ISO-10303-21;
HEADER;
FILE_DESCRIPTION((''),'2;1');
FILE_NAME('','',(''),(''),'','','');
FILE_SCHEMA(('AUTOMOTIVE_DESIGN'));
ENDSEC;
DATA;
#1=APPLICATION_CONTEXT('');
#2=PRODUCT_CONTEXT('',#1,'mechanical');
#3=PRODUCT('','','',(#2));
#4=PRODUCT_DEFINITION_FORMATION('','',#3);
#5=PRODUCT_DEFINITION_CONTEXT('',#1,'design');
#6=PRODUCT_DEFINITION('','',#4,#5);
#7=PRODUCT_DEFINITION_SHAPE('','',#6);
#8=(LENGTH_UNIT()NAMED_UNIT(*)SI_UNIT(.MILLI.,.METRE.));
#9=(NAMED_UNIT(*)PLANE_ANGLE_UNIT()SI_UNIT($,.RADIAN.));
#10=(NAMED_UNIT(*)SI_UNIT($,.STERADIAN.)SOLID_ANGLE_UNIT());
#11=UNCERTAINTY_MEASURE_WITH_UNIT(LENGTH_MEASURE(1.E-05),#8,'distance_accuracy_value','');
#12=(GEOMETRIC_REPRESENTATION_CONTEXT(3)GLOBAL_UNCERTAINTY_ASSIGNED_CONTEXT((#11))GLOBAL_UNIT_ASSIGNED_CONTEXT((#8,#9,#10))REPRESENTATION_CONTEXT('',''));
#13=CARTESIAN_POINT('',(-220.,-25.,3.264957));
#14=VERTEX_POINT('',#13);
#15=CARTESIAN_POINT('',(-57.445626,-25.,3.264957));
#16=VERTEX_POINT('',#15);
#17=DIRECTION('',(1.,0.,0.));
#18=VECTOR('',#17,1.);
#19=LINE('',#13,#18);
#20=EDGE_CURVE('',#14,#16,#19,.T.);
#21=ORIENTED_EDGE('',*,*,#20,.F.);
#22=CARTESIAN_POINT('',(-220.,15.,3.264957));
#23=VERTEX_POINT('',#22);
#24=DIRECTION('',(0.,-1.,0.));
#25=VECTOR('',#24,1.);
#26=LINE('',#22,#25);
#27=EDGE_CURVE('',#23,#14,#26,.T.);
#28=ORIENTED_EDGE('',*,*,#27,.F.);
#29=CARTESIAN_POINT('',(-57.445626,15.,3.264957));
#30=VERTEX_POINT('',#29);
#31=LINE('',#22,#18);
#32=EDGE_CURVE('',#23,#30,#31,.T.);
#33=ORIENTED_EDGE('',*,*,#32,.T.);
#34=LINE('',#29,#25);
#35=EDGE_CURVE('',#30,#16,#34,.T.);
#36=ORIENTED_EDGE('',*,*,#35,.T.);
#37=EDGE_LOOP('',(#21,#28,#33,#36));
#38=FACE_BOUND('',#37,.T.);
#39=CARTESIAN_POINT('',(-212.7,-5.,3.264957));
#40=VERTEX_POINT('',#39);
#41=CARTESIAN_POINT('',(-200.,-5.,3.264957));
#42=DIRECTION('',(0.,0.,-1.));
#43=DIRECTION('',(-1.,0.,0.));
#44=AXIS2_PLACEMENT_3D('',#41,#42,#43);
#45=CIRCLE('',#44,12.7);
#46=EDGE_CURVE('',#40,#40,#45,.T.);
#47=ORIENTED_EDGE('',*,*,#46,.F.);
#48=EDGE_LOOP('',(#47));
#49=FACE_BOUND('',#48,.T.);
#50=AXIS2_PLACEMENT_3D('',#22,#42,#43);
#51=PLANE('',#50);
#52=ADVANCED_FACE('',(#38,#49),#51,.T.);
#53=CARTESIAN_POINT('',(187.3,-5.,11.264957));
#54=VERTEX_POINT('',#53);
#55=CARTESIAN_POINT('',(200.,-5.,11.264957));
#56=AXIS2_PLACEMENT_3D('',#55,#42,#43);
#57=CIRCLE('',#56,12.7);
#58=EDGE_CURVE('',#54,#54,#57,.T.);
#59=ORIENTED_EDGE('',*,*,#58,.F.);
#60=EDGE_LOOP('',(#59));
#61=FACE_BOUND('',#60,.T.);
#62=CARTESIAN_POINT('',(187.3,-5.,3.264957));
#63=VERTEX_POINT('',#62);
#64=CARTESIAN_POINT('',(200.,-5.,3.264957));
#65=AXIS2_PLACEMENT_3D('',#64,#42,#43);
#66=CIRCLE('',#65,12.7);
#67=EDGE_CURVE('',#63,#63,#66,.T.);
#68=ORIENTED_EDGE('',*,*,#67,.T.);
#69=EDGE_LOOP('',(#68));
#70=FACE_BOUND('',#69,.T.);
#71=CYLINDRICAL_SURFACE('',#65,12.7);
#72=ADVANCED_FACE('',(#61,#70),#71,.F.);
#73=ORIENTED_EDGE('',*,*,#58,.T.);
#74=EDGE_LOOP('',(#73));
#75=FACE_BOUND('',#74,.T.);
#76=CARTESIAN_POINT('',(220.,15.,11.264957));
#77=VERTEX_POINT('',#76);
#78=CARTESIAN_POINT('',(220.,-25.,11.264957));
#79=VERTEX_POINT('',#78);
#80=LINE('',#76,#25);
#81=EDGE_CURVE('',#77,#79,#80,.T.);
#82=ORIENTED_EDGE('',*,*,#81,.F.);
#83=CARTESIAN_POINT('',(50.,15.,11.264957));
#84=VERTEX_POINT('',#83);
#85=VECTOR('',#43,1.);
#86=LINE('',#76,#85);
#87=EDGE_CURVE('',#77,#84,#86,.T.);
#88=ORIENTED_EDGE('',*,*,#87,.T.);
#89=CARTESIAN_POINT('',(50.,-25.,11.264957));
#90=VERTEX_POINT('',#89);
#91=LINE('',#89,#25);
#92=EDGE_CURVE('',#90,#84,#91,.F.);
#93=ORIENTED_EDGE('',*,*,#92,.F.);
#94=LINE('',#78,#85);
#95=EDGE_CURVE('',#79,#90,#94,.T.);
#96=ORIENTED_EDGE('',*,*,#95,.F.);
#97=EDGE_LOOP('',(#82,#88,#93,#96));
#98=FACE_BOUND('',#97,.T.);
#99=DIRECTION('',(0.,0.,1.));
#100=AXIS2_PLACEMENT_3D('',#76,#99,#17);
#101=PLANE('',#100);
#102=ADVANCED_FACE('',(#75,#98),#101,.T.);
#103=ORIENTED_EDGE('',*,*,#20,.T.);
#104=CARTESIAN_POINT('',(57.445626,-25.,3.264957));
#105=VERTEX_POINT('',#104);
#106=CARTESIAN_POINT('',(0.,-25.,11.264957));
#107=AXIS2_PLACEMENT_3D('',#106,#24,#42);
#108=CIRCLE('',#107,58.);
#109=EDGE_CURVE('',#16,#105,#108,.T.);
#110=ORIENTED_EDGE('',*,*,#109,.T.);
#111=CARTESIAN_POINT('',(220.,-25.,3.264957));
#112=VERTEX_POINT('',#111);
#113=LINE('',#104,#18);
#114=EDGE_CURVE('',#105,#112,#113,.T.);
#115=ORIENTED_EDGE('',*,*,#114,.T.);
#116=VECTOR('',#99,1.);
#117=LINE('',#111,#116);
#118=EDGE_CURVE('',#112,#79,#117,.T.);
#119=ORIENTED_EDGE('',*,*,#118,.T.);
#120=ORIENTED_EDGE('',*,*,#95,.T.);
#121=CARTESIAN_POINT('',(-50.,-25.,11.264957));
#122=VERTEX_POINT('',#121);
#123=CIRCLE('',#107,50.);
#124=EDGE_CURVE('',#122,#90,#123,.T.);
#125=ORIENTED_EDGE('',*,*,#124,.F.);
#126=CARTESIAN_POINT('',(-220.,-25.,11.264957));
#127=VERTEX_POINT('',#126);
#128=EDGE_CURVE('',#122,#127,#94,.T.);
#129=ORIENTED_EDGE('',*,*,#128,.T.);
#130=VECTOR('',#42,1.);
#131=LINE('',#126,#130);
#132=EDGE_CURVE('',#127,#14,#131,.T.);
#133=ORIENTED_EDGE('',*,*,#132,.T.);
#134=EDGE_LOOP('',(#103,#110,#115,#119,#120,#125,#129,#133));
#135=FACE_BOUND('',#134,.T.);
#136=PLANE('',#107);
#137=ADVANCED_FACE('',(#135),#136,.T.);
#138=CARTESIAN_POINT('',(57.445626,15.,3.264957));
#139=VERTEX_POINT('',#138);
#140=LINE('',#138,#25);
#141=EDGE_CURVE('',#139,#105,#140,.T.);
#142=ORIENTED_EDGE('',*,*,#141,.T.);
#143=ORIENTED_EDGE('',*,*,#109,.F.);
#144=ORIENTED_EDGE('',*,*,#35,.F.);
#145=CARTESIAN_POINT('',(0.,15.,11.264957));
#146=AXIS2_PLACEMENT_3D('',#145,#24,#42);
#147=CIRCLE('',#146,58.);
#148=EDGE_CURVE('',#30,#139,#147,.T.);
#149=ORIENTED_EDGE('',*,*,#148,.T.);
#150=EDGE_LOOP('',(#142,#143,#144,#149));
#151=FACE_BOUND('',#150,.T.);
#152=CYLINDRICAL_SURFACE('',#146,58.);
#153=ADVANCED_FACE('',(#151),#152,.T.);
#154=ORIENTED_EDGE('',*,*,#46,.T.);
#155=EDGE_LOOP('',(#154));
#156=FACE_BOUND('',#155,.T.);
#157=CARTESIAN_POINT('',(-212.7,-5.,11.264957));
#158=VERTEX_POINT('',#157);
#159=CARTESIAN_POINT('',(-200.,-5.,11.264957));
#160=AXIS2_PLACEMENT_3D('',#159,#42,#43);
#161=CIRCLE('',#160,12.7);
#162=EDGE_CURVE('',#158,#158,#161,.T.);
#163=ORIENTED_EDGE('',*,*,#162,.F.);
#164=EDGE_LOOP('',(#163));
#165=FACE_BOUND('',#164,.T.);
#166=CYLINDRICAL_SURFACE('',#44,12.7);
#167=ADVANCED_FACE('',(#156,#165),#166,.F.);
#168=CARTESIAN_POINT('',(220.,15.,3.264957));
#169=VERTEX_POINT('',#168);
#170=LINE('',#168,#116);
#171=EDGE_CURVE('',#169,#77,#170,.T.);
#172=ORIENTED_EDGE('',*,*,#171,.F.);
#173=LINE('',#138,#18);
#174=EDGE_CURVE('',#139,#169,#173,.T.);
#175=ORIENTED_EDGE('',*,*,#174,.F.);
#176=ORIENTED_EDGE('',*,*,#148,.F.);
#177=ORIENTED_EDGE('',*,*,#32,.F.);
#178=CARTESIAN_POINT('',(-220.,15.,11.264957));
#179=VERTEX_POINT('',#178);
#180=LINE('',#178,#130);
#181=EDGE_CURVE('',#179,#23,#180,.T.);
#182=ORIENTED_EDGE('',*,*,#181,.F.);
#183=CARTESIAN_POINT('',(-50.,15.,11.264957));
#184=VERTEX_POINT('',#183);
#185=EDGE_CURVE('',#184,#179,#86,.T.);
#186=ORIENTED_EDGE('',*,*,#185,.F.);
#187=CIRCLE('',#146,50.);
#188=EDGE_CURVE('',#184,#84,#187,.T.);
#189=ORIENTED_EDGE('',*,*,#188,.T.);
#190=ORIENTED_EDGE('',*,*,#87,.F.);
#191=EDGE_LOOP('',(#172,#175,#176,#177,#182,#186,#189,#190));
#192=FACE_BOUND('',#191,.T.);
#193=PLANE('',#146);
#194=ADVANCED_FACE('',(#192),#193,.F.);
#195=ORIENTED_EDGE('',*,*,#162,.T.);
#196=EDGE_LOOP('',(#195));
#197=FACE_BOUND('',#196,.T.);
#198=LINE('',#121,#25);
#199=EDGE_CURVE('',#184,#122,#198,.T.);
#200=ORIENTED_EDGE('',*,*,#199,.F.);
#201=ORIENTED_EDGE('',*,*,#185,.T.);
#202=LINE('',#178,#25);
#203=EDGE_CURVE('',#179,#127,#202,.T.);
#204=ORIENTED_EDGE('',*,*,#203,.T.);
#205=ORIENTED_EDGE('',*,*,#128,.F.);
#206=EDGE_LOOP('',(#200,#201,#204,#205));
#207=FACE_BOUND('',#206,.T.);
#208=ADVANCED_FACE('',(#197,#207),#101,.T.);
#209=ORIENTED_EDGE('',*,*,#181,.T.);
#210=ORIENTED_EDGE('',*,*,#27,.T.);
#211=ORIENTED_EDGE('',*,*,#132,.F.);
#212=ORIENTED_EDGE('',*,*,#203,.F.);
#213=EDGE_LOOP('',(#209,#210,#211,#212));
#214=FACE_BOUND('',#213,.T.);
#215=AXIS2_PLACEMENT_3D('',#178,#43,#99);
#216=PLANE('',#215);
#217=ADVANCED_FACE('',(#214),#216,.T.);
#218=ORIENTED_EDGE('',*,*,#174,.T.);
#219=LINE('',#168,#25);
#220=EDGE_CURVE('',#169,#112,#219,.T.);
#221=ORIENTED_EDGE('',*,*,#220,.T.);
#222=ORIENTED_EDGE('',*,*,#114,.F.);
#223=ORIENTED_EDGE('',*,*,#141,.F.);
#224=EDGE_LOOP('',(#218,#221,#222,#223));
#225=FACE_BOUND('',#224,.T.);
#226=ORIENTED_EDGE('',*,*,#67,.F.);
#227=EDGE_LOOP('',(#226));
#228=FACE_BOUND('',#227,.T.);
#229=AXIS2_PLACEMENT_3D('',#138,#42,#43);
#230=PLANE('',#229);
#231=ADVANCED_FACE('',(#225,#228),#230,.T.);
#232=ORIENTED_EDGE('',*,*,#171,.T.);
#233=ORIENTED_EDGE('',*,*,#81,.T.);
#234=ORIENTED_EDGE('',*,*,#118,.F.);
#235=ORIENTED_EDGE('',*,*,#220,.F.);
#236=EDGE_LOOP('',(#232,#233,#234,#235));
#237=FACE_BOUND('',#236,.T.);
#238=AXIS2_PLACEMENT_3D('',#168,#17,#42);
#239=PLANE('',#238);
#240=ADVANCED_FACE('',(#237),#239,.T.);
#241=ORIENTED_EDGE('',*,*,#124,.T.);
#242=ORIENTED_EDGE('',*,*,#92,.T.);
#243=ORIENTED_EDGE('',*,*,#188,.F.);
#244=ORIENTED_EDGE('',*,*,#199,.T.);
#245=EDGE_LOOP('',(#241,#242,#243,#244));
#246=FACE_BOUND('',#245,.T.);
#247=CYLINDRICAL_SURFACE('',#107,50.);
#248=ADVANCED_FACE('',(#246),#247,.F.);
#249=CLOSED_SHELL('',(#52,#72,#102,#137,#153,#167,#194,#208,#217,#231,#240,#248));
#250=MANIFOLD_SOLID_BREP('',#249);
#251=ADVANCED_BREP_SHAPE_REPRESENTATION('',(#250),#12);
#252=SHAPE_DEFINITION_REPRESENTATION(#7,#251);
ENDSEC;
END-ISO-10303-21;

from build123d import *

# Parameters (mm, degrees)
BOSS_EXTRUDE1_DEPTH            = 10
HOLE1_D                        = 6.35
HOLE1_DEPTH                    = 2
F_25_0_25_DIAMETER_HOLE1_D     = 25
F_25_0_25_DIAMETER_HOLE1_DEPTH = 10
SCALE1_SCALE                   = 4


with BuildPart() as part:
    # Sketch1 → Boss-Extrude1 (new body)
    with BuildSketch(Plane.XZ.offset(10)):
        with BuildLine():
            Line((55, 0), (-55, 0))
            Line((-55, 0), (-55, -2))
            Line((-55, -2), (-14.361406616, -2))
            ThreePointArc((-14.361406616, -2), (0, -14.5), (14.361406616, -2))
            Line((14.361406616, -2), (55, -2))
            Line((55, -2), (55, 0))
        make_face()
    extrude(amount=-BOSS_EXTRUDE1_DEPTH)

    # Hole1
    with Locations(Plane(origin=(0, 0, -2), x_dir=(-1, 0, 0), z_dir=(0, 0, -1))):
        with Locations((-50, -5), (50, -5)):
            Hole(HOLE1_D / 2, depth=HOLE1_DEPTH)

    # Ø25.0 (25) Diameter Hole1
    with Locations(Plane(origin=(0, -10, 0), x_dir=(-1, 0, 0), z_dir=(0, -1, 0))):
        with Locations((0, 0)):
            Hole(F_25_0_25_DIAMETER_HOLE1_D / 2, depth=F_25_0_25_DIAMETER_HOLE1_DEPTH)


with BuildPart() as part_1:
    # Scale1: scaled about (0, -5, -3.754985593)
    add(part.part.scale(SCALE1_SCALE).moved(Location((0, 15, 11.264956779))))


solid = part_1.part
